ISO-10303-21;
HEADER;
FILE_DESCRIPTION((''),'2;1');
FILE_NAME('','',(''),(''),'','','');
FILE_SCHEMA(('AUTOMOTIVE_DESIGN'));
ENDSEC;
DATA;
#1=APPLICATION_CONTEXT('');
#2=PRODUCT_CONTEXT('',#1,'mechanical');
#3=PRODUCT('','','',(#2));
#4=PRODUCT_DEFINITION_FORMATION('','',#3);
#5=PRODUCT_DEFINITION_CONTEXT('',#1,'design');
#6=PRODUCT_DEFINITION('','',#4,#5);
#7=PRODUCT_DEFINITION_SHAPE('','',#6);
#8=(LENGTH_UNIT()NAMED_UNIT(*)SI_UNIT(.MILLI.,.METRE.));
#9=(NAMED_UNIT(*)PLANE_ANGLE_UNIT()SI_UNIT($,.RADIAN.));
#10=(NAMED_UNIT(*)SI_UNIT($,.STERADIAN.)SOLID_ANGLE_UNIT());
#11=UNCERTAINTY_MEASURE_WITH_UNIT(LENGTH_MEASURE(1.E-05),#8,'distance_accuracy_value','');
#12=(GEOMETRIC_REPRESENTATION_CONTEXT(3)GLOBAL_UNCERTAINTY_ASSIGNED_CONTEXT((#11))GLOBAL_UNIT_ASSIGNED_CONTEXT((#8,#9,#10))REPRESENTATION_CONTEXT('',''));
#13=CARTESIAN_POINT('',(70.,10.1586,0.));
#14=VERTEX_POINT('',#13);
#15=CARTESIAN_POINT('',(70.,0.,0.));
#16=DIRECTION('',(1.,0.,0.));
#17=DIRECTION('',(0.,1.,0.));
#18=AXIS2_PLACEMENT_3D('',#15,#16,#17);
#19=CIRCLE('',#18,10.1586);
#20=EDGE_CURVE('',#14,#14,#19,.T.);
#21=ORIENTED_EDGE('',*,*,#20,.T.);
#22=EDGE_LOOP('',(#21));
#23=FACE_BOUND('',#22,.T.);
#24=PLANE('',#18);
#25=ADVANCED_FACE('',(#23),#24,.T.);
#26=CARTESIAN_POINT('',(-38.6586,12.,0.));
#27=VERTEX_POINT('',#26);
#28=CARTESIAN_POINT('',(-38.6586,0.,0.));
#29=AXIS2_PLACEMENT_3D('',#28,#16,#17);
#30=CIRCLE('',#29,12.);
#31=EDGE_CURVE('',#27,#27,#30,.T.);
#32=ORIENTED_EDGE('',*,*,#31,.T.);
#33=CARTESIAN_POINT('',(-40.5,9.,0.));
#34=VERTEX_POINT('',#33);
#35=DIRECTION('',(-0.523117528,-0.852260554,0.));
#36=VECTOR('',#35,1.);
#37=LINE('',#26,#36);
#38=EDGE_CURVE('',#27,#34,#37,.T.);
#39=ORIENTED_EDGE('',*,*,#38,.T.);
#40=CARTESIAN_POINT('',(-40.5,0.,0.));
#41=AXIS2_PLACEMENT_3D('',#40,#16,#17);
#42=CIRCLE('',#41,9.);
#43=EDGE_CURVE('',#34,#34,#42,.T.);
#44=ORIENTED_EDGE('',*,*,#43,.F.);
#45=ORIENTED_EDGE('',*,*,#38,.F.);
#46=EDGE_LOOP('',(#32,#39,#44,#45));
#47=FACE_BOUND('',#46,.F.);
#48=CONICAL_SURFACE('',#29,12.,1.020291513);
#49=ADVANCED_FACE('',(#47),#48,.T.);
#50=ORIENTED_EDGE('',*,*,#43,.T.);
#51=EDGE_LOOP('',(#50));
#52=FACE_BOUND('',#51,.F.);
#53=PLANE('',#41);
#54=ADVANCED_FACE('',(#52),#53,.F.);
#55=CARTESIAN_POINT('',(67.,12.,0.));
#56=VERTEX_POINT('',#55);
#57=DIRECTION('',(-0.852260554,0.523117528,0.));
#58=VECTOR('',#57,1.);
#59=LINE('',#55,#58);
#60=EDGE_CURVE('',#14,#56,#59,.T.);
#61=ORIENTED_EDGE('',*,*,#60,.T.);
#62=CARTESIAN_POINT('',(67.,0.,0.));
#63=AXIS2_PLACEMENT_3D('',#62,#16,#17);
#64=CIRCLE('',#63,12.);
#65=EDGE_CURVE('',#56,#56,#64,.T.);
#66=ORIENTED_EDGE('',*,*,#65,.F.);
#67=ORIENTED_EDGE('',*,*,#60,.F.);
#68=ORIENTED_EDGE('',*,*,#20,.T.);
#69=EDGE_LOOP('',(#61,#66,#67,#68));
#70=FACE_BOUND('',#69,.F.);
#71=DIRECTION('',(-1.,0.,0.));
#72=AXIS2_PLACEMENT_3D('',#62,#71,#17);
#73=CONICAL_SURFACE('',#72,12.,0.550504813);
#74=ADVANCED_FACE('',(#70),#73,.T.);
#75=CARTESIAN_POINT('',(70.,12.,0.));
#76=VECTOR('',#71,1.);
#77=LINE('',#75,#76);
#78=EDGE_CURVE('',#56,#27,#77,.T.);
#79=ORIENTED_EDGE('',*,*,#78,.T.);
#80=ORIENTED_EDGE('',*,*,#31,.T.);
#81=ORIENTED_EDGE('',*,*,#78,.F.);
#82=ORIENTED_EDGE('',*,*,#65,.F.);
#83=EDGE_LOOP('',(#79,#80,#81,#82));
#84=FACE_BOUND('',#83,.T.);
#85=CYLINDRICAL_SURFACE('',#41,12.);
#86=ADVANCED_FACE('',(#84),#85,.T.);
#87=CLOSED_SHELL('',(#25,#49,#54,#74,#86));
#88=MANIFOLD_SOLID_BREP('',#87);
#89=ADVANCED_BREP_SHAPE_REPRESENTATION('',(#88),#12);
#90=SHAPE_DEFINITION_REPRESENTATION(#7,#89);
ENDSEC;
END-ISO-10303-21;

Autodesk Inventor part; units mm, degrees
ref_plane "YZ Plane" through (0, 0, 0) normal (1, 0, 0) x (0, 1, 0)
ref_plane "XZ Plane" through (0, 0, 0) normal (0, 1, 0) x (-1, 0, 0)
sketch "Skizze1" plane through (0, 0, 0) normal (0, 0, 1) x (1, 0, 0)
  line L0 (70, 12) -> (70, 0)
  line L1 (-40.5, 0) -> (70, 0)
  line L2 (-62.6, 0) -> (92.1, 0) projected
  line L3 (0, 14.4) -> (0, -2.4) projected
  line L4 (-40.5, 12) -> (-40.5, 0)
  line L5 (16, 12) -> (16, 0) construction
  line L6 (-62.6, 0) -> (92.1, 0) projected
  line L7 (-40.5, 12) -> (70, 12)
  dimension "d4" = 40.5
  dimension "d5" = 70
  dimension "d6" = 54
  dimension "d13" = 24
revolve "Körper" add sketch "Skizze1" angle 360 about axis through (-40.5, 0, 0) along (1, 0, 0)
thread "Gewinde1" size "M24x3" class "6g" standard "ISO Metric profile" length 40.5
thread "Gewinde2" size "M24x3" class "6g" standard "ISO Metric profile" length 55.8404
chamfer "Fase1" distance 1.8414 distance2 3 1 edges at (70, -12, 0) measured on face at (70, 0.4821, 1.3341)
chamfer "Fase2" distance 1.8414 distance2 3 1 edges at (-40.5, -12, 0) measured on face at (31.1667, 11.9611, -0.9656)
ref_plane "Work Plane1" through (2.75, 0, 0) normal (0, -1, 0) x (1, 0, 0)
equation "\"d4\" = KOH"
equation "\"d5\" = NLG"
equation "\"d6\" = GEL"
equation "\"d13\" = GD"
equation "\"d1\" = KOH"
equation "\"d7\" = GEL + GAL"
equation "\"d10\" = -0.5 * SPD + 0.5 * GD"
equation "\"d12\" = -0.5 * SPD + 0.5 * GD"
equation "\"NLG\" = 70"
equation "\"GEL\" = 54"
equation "\"GAL\" = 0.61345 * PTC"
equation "\"SPD\" = 18"
equation "\"d0\" = GD"
equation "\"GUL\" = 0.61345 * PTC"
equation "\"KOH\" = 40.5"
equation "\"GD\" = 24"
equation "\"BDM\" = NND"
equation "\"GUL1\" = GUL"
equation "\"GAL1\" = GAL"
equation "\"d80\" = -GUL - GEL"
equation "\"d86\" = -KOH + GUL1"
equation "\"PTC\" = 3"
equation "\"THREADDIA\" = 24"
equation "\"TOA\" = 30deg"
equation "\"NND\" = 24"
equation "\"GD1\" = THREADDIA - 1.2269 * PTC"
properties part number "DIN 835 - M24 x 70" material "Stahl, weich"
